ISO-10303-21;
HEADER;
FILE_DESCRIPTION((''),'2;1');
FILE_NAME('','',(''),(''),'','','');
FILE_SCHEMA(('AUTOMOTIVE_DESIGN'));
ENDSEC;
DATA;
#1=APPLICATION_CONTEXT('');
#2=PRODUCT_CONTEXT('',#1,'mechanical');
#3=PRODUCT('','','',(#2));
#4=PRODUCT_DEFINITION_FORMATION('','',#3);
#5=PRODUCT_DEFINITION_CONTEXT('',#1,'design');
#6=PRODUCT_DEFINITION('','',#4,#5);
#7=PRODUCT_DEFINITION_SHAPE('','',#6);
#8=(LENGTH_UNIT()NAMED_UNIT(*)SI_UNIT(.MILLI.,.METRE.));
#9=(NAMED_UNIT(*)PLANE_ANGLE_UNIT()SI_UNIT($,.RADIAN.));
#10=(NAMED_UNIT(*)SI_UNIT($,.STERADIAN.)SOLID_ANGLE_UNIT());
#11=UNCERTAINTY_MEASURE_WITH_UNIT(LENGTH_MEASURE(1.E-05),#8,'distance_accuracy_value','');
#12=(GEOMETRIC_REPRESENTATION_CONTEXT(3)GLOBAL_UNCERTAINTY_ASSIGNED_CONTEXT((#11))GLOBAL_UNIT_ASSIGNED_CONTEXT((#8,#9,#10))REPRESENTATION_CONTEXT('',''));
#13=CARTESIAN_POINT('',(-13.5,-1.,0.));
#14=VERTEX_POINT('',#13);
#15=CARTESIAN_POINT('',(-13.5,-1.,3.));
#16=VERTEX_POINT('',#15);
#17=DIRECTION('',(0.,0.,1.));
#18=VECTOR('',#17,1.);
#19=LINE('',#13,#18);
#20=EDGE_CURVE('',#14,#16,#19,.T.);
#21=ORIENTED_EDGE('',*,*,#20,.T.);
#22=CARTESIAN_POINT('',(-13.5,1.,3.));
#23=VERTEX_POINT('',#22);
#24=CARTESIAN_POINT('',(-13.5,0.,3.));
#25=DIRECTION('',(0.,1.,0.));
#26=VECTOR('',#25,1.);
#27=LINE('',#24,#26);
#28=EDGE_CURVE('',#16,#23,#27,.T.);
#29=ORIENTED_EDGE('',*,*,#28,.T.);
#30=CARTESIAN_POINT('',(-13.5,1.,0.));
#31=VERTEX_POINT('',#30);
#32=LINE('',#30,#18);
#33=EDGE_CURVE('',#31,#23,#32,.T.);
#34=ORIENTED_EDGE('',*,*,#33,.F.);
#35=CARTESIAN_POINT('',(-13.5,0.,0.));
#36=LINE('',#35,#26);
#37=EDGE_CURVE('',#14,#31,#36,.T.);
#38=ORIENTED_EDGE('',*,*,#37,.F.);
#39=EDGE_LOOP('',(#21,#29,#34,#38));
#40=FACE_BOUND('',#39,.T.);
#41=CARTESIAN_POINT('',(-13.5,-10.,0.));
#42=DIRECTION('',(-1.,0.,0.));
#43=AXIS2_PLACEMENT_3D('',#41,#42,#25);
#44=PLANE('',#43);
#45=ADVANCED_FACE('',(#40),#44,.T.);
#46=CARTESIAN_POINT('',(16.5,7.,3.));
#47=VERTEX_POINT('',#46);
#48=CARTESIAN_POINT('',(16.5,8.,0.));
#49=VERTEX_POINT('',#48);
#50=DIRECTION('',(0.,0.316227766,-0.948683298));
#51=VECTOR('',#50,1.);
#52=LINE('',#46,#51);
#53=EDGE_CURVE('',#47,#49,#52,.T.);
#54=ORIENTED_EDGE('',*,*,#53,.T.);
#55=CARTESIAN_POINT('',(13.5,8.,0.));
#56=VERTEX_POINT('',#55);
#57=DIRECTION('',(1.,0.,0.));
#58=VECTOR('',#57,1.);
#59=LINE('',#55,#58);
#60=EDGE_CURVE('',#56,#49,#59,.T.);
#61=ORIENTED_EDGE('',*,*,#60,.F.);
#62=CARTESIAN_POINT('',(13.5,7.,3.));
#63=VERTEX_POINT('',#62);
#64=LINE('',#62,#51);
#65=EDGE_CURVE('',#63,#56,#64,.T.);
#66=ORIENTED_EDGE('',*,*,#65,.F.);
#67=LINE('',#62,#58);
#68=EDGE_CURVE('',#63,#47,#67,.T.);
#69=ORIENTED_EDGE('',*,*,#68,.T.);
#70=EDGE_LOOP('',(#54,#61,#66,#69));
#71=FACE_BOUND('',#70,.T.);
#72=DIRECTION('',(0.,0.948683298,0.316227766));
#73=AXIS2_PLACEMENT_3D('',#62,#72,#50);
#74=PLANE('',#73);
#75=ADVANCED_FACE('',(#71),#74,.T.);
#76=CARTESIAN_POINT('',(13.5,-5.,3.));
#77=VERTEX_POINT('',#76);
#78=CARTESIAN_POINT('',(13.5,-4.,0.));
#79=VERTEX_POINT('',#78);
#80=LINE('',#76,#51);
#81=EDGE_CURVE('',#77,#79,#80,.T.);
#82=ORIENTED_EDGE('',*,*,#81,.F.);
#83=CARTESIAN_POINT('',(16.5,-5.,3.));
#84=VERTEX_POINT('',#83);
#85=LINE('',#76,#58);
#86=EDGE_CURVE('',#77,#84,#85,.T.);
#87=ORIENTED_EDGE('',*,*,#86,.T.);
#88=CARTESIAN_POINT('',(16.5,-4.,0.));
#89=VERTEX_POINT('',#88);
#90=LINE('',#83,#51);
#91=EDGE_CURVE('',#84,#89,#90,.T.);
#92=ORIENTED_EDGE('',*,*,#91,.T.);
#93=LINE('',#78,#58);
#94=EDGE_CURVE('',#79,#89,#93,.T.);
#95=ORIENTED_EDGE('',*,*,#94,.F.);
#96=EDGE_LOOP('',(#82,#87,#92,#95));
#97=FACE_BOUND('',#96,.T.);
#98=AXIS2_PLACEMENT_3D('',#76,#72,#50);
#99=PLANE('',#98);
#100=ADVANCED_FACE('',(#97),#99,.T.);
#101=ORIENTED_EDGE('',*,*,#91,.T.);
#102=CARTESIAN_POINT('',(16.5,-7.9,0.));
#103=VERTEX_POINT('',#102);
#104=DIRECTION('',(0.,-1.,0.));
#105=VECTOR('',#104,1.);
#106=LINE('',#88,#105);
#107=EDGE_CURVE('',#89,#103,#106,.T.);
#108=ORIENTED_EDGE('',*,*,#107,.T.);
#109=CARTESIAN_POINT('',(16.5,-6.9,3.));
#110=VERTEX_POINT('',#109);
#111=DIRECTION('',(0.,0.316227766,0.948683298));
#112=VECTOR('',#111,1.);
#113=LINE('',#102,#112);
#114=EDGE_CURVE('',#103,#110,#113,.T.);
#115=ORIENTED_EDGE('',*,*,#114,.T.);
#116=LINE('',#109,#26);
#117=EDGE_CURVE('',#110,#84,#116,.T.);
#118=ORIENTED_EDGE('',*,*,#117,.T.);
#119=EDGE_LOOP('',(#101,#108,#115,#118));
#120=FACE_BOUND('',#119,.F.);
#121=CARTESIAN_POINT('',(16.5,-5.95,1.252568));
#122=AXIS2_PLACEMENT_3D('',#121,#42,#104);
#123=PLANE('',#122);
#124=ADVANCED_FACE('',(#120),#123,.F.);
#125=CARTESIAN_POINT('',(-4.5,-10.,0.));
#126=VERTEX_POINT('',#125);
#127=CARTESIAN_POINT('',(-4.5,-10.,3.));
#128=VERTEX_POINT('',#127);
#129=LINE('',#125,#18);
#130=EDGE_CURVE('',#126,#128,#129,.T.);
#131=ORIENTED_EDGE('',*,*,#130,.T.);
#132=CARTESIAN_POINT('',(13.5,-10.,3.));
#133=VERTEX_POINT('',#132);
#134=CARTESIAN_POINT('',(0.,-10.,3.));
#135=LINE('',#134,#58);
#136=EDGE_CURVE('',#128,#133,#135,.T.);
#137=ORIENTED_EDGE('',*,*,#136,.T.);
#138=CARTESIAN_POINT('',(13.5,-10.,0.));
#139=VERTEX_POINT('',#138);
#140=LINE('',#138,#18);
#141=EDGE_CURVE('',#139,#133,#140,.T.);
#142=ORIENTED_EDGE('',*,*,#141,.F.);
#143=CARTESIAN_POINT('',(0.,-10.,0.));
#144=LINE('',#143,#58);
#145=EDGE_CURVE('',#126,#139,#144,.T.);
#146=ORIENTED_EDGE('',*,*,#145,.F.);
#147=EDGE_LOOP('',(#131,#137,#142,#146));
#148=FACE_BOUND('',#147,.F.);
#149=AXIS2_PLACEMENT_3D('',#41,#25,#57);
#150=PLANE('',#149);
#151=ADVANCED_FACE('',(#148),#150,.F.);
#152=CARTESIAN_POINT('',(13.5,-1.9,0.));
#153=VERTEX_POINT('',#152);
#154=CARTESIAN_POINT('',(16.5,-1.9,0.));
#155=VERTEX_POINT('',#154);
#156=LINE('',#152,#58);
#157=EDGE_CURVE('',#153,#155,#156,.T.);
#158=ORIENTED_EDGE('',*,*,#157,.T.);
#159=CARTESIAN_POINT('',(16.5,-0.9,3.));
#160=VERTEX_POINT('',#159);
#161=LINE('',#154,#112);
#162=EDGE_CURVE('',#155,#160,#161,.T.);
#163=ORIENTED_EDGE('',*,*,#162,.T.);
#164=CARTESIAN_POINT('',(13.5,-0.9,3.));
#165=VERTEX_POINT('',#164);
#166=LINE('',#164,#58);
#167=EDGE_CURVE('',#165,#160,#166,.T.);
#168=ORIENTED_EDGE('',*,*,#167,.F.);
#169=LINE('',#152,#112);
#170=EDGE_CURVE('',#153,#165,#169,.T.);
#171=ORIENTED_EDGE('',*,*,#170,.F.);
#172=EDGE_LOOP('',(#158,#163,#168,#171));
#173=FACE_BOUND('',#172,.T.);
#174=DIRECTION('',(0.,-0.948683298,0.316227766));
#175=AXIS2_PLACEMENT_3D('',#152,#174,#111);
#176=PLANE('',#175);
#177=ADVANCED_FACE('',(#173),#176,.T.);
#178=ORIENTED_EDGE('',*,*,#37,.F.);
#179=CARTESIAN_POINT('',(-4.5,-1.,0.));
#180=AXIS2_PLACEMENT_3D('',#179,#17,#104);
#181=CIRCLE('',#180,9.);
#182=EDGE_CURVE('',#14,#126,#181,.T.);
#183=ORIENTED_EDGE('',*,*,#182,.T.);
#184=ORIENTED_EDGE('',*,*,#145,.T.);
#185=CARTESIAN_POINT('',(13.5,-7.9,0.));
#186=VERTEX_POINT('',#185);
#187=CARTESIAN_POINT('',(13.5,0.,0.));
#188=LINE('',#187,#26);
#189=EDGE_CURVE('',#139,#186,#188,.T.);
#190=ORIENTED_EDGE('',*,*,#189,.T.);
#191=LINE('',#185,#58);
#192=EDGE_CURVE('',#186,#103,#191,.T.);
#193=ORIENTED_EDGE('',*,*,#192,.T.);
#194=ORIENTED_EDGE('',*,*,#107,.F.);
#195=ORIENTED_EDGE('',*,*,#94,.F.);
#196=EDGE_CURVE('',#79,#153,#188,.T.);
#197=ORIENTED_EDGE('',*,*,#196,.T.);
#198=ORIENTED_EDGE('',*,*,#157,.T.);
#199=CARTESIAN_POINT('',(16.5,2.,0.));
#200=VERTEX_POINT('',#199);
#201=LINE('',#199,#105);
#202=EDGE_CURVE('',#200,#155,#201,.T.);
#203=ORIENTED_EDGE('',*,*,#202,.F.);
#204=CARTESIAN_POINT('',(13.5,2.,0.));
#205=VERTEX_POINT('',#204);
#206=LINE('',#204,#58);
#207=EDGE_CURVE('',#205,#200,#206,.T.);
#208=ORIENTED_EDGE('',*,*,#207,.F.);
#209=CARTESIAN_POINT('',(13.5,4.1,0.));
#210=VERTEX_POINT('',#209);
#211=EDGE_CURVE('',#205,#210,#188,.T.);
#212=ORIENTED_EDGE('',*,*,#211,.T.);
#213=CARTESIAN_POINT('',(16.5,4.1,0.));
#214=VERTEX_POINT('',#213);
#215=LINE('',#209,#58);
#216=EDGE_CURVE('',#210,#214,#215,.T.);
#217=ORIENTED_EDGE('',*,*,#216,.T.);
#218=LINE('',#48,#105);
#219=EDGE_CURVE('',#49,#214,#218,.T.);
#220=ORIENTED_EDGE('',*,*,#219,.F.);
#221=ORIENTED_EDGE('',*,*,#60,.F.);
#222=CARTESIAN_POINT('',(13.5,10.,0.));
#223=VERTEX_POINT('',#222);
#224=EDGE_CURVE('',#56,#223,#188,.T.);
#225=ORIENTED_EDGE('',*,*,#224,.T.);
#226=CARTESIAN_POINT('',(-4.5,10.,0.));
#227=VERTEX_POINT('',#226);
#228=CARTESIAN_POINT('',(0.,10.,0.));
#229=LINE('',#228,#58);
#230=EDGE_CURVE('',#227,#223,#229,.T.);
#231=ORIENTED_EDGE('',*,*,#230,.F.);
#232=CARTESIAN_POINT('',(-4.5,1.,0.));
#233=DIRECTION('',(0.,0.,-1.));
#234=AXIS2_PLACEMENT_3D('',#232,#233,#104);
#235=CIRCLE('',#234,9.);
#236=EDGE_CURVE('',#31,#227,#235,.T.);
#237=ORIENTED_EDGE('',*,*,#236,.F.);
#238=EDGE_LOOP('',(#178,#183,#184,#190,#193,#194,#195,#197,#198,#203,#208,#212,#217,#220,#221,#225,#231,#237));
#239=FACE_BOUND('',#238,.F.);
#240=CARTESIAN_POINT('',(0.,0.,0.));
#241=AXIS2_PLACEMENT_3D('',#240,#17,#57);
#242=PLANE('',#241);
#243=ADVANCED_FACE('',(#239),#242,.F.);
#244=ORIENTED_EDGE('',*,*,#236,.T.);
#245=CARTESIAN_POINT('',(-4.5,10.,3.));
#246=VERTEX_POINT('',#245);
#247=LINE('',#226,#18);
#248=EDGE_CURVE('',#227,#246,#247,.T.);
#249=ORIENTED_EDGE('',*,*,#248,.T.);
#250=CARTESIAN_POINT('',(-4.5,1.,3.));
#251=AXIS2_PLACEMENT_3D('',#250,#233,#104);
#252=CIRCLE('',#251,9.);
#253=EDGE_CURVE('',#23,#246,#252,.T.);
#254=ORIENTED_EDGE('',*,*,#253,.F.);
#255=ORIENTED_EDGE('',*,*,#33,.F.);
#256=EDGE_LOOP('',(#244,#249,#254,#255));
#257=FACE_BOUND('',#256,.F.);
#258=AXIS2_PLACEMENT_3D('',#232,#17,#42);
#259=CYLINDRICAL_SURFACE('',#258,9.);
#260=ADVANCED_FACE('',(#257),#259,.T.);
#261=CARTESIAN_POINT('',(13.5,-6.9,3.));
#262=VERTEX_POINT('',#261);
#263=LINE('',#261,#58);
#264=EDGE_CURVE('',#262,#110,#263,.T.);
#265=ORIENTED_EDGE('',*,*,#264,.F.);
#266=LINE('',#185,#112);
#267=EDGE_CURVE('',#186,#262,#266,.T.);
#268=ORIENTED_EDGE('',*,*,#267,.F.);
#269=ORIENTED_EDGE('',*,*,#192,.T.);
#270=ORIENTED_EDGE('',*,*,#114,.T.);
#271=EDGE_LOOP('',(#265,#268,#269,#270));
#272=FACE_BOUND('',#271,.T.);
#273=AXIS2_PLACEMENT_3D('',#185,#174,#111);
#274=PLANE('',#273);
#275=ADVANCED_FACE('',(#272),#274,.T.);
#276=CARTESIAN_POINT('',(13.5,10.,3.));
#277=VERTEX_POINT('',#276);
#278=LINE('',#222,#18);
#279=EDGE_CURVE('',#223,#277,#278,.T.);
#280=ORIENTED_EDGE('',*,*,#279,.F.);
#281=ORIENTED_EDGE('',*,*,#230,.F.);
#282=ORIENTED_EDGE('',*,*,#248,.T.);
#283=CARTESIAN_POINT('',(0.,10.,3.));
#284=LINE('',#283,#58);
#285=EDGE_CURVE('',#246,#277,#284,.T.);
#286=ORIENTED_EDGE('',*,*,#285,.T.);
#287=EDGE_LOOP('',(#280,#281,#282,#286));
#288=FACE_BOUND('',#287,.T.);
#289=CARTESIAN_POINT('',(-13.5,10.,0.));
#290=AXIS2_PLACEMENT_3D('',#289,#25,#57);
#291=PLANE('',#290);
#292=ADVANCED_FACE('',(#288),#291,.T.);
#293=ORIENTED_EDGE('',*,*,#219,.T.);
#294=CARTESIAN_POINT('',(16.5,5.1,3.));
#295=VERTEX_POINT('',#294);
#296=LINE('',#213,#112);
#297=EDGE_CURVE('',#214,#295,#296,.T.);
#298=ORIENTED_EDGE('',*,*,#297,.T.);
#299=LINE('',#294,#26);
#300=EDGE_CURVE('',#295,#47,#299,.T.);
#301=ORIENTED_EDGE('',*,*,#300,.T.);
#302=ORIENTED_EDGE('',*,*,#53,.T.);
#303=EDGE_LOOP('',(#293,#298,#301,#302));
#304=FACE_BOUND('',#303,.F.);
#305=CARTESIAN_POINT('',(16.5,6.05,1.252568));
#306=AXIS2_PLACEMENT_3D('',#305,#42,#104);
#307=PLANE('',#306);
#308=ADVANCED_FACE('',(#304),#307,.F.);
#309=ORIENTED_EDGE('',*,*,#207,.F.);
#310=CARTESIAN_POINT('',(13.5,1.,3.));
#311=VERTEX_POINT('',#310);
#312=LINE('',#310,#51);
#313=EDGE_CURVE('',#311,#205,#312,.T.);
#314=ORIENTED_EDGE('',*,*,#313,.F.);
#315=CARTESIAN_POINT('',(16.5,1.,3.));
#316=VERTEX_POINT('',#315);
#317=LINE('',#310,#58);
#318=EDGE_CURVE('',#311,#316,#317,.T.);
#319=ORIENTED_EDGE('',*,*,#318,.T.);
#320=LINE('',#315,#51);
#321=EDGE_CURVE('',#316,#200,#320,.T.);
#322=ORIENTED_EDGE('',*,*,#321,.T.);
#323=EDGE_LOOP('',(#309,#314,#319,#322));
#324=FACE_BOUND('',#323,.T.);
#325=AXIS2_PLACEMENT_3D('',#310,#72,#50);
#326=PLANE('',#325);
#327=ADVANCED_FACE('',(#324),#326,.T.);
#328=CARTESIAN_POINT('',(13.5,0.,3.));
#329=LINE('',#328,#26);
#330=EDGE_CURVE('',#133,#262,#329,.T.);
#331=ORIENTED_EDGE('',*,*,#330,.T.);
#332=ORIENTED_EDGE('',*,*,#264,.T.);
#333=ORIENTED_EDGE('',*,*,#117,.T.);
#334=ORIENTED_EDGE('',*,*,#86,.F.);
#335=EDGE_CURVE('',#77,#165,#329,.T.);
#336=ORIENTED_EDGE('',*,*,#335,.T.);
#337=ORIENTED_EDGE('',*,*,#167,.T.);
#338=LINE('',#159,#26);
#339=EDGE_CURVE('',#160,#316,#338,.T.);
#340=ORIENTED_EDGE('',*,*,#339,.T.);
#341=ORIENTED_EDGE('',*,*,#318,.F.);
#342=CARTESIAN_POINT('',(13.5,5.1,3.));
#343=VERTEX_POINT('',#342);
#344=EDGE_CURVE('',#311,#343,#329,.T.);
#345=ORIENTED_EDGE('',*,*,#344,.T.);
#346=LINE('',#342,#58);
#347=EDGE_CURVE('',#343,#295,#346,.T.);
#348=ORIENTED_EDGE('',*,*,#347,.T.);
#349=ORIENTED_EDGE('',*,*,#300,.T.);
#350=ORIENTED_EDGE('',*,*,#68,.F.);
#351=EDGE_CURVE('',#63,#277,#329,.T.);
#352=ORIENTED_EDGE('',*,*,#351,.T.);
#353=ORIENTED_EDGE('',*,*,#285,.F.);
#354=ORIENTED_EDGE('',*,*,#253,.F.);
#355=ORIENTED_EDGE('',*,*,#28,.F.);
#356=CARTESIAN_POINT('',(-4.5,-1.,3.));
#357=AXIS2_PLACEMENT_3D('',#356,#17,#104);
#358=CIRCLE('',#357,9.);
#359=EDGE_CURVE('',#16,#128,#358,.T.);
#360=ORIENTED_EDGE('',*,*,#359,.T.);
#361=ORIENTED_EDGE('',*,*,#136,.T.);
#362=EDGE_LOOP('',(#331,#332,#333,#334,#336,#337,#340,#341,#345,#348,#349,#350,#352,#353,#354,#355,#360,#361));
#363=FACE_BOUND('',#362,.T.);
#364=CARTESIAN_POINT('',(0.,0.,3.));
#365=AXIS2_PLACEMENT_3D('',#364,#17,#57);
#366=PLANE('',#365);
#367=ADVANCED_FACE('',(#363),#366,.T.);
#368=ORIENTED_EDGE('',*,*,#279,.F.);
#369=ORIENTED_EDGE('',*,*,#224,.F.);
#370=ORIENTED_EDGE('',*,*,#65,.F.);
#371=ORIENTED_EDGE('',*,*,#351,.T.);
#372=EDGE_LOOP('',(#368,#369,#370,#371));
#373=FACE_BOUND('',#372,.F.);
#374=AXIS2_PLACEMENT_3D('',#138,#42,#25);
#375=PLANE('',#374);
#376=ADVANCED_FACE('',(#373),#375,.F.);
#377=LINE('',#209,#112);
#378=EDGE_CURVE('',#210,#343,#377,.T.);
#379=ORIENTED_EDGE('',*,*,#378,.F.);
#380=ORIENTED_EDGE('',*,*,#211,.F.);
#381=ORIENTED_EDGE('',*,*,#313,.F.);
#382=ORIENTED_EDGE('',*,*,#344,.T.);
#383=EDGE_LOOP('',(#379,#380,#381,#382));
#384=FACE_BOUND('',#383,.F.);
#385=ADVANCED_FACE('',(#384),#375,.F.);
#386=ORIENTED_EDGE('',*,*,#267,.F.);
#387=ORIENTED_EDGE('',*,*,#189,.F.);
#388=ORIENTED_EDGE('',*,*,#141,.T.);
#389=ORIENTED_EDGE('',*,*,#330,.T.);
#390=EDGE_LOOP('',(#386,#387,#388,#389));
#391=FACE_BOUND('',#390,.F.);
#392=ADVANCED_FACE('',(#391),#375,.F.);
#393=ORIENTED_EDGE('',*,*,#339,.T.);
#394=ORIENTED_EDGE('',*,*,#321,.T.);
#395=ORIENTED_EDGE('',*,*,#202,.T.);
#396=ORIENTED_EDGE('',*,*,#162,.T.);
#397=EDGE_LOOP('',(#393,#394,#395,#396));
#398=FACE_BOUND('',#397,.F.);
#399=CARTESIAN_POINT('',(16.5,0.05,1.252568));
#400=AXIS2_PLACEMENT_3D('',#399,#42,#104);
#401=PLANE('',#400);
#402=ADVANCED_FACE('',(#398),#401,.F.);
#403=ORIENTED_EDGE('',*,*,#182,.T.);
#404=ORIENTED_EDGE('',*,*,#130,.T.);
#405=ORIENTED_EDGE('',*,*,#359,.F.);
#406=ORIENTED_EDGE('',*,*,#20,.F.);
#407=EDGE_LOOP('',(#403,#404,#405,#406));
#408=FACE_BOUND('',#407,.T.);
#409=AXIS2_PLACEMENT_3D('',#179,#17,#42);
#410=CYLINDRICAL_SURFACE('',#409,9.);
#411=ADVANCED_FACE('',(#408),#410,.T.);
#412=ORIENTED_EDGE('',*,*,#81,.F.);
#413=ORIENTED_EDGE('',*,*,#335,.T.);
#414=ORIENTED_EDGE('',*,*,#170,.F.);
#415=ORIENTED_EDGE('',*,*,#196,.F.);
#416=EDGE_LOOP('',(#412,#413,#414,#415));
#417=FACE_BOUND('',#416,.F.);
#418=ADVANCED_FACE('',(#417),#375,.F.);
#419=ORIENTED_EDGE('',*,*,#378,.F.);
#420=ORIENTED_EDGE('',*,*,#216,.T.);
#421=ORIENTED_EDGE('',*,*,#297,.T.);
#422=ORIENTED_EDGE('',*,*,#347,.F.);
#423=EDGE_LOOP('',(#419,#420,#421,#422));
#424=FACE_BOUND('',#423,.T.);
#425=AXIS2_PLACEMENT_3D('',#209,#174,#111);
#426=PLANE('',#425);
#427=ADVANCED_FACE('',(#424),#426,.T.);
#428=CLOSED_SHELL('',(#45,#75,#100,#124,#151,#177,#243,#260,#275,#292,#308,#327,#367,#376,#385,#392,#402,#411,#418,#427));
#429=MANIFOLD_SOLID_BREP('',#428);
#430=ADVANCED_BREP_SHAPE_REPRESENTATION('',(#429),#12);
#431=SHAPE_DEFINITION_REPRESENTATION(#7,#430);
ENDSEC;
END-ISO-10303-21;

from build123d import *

# Parameters (mm, degrees)
SKETCH_W            = 27
SKETCH_H            = 20
PAD_DEPTH           = 3
PAD001_DEPTH        = 3
LINEARPATTERN_COUNT = 3
LINEARPATTERN_PITCH = 6
FILLET_R            = 9


with BuildPart() as part:
    # Sketch → Pad (new body)
    with BuildSketch(Plane.XY):
        Rectangle(SKETCH_W, SKETCH_H)
    extrude(amount=PAD_DEPTH)

    # Sketch001 → Pad001 (new body)
    with BuildSketch(Plane.YZ.offset(13.5)):
        Polygon((-6.9, 3), (-5, 3), (-4, 0), (-7.9, 0), align=None)
    pad001 = extrude(amount=PAD001_DEPTH)

    # LinearPattern: Pad001 ×3
    with Locations(*[(0, i * LINEARPATTERN_PITCH, 0) for i in range(1, LINEARPATTERN_COUNT)]):
        add(pad001)

    # Fillet
    fillet_edges = [part.edges().sort_by_distance(p)[0] for p in [
        (-13.5, 10, 1.5),
        (-13.5, -10, 1.5),
    ]]
    fillet(fillet_edges, radius=FILLET_R)


solid = part.part
